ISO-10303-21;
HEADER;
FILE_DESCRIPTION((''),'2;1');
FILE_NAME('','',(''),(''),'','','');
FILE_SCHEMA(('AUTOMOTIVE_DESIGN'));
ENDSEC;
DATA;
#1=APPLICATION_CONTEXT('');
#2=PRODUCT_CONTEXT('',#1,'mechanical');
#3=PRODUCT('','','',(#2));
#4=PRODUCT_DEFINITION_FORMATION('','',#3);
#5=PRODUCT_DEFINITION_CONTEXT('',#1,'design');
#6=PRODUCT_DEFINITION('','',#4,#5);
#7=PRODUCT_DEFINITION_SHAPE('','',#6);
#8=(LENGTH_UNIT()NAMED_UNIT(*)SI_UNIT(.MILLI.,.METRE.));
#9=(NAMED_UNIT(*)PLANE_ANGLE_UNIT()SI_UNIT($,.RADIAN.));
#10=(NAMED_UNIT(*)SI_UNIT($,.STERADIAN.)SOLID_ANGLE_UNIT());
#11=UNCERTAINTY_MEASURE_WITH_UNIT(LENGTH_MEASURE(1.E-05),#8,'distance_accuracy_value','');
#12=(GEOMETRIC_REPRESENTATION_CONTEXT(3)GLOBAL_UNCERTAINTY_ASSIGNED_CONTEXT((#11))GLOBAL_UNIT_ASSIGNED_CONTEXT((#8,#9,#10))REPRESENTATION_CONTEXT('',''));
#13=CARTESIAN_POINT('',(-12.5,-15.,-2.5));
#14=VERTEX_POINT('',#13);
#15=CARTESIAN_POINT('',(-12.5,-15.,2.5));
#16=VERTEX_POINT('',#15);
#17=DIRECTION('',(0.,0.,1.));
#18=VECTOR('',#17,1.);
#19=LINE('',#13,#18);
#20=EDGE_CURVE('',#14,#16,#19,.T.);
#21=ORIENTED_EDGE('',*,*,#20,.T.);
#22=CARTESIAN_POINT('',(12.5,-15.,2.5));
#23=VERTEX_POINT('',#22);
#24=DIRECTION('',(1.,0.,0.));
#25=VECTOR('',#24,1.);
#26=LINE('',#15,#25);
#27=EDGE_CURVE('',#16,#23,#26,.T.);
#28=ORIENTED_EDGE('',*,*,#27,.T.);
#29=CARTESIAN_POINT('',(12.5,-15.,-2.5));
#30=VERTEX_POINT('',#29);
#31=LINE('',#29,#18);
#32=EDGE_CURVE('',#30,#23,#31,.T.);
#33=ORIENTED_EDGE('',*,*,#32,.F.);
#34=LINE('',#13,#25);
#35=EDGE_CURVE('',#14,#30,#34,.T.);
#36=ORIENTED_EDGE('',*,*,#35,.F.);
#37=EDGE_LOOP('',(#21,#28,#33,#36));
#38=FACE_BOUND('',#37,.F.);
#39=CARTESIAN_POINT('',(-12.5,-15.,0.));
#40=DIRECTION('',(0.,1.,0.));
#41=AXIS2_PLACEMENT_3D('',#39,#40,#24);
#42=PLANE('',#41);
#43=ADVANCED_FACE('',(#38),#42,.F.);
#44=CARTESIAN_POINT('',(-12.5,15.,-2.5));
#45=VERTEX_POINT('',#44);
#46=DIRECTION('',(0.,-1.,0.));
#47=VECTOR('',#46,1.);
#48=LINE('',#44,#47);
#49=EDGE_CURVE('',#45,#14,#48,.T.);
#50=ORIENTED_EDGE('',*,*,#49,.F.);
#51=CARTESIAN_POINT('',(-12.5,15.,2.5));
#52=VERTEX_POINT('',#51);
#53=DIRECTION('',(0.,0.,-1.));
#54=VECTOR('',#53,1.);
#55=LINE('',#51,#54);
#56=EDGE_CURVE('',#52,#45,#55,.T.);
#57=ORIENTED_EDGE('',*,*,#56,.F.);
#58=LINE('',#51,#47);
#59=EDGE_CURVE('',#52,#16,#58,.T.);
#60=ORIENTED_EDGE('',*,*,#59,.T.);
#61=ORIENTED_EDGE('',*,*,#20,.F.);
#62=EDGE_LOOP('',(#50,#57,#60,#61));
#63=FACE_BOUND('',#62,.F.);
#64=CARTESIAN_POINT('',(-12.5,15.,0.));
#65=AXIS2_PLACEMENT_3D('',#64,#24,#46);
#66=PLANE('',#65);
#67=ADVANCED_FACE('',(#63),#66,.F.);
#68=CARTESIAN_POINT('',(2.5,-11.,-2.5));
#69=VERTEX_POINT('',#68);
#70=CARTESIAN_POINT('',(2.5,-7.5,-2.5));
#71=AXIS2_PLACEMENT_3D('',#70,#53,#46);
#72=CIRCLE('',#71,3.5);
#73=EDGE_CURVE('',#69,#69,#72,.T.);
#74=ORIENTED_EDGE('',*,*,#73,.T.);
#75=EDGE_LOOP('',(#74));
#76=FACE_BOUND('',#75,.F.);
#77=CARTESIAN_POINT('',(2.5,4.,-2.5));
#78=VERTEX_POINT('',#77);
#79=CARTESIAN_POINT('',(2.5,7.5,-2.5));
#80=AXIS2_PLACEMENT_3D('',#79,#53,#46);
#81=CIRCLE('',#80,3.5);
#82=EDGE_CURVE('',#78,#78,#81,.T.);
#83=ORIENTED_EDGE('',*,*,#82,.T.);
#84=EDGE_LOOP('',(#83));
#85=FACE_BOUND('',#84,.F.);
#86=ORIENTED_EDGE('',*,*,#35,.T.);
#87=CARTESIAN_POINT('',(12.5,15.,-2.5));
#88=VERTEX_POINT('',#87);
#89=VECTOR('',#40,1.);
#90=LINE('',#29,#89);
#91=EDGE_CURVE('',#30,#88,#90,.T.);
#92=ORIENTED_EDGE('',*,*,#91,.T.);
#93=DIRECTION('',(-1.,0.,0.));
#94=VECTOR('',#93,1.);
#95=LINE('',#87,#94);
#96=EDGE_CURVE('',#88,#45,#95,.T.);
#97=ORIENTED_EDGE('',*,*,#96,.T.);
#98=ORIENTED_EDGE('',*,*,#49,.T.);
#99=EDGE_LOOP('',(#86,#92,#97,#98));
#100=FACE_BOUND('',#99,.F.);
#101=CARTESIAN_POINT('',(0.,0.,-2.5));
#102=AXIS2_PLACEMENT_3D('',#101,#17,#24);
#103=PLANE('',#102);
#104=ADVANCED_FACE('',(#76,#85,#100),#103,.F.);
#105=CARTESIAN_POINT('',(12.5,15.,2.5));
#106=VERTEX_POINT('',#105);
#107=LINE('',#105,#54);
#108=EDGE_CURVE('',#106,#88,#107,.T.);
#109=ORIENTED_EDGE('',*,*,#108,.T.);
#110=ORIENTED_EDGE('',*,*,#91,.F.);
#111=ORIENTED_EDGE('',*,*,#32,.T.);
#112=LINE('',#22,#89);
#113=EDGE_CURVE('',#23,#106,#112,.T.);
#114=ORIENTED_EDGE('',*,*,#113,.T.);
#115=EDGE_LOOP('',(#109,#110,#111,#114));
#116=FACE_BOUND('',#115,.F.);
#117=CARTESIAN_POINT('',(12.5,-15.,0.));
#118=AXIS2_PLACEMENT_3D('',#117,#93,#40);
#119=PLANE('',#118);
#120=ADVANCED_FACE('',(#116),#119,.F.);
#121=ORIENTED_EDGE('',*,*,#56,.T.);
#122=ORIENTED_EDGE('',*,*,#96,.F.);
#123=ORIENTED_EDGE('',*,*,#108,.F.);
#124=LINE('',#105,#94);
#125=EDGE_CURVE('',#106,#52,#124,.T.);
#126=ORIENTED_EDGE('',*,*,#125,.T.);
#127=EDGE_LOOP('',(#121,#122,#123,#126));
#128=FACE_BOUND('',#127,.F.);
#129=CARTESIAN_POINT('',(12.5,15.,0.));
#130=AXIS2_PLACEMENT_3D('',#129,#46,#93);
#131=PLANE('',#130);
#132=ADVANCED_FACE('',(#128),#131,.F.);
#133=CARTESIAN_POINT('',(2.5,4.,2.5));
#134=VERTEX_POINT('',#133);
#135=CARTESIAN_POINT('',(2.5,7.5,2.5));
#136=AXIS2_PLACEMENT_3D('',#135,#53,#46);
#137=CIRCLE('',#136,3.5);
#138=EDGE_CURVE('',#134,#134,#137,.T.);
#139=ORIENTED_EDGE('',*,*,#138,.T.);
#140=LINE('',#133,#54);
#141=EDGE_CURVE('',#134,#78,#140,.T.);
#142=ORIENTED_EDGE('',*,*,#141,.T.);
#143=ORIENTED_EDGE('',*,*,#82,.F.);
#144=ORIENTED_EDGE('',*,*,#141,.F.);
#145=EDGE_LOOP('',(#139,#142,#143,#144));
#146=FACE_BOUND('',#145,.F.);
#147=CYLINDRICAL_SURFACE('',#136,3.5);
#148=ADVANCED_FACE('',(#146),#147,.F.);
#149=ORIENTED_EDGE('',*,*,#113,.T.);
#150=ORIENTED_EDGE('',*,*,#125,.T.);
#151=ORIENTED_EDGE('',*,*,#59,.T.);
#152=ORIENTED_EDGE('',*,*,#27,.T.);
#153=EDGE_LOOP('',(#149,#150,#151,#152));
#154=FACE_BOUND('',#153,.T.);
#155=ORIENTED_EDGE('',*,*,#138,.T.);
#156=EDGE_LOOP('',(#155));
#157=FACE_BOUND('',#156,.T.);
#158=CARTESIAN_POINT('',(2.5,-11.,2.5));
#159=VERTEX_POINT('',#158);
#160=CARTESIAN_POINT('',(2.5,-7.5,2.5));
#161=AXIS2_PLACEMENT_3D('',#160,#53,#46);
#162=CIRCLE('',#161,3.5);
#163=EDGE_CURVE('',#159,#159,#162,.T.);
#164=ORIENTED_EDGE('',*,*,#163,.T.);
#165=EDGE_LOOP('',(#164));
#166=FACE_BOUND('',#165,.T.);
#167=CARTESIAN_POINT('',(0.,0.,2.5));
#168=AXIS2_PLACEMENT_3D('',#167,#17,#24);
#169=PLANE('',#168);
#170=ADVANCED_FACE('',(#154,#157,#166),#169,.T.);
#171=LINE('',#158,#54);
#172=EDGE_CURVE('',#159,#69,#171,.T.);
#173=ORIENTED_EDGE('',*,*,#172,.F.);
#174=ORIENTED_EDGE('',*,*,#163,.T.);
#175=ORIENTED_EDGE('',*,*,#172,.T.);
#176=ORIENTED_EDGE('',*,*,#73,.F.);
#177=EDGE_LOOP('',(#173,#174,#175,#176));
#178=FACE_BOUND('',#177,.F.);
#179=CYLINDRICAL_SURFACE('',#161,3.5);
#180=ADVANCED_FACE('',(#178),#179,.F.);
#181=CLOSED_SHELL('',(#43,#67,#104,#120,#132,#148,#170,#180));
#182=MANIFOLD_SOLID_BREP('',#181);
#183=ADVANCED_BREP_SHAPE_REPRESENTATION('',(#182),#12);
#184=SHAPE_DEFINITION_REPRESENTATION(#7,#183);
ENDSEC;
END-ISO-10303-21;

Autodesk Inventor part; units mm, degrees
ref_plane "YZ Plane" through (0, 0, 0) normal (1, 0, 0) x (0, 1, 0)
ref_plane "XZ Plane" through (0, 0, 0) normal (0, 1, 0) x (-1, 0, 0)
ref_plane "XY Plane" through (0, 0, 0) normal (0, 0, 1) x (1, 0, 0)
sketch "Sketch1" plane through (0, 0, 0) normal (0, 0, 1) x (1, 0, 0)
  line L0 (-12.5, -15) -> (12.5, -15)
  line L1 (12.5, -15) -> (12.5, 15)
  line L2 (12.5, 15) -> (-12.5, 15)
  line L3 (-12.5, 15) -> (-12.5, -15)
  line L4 (-12.5, -15) -> (12.5, 15) construction
  line L5 (12.5, -15) -> (-12.5, 15) construction
  point P0 (0, 0)
  dimension "d0" = 30
  dimension "d1" = 25
extrude "Extrusion1" add sketch "Sketch1" along normal mid plane 5
sketch "Sketch2" plane through (0, 0, 2.5) normal (0, 0, 1) x (1, 0, 0)
  line L0 (-12.5, 15) -> (-12.5, -15) projected
  line L1 (12.5, 15) -> (-12.5, 15) projected
  point P0 (0, 0)
  point P1 (2.5, 7.5)
  point P2 (2.5, -7.5)
  dimension "d4" = 15
  dimension "d5" = 7.5
  dimension "d6" = 15
hole "Hole1" at (2.5, 7.5, 2.5) at (2.5, -7.5, 2.5) direction (0, 0, -1) diameter 7 depth 14.2 tip angle 118
properties part number "HCMUTE-CDT23-DE_CHEM_LOADCELL" material "PMMA Plastic"
